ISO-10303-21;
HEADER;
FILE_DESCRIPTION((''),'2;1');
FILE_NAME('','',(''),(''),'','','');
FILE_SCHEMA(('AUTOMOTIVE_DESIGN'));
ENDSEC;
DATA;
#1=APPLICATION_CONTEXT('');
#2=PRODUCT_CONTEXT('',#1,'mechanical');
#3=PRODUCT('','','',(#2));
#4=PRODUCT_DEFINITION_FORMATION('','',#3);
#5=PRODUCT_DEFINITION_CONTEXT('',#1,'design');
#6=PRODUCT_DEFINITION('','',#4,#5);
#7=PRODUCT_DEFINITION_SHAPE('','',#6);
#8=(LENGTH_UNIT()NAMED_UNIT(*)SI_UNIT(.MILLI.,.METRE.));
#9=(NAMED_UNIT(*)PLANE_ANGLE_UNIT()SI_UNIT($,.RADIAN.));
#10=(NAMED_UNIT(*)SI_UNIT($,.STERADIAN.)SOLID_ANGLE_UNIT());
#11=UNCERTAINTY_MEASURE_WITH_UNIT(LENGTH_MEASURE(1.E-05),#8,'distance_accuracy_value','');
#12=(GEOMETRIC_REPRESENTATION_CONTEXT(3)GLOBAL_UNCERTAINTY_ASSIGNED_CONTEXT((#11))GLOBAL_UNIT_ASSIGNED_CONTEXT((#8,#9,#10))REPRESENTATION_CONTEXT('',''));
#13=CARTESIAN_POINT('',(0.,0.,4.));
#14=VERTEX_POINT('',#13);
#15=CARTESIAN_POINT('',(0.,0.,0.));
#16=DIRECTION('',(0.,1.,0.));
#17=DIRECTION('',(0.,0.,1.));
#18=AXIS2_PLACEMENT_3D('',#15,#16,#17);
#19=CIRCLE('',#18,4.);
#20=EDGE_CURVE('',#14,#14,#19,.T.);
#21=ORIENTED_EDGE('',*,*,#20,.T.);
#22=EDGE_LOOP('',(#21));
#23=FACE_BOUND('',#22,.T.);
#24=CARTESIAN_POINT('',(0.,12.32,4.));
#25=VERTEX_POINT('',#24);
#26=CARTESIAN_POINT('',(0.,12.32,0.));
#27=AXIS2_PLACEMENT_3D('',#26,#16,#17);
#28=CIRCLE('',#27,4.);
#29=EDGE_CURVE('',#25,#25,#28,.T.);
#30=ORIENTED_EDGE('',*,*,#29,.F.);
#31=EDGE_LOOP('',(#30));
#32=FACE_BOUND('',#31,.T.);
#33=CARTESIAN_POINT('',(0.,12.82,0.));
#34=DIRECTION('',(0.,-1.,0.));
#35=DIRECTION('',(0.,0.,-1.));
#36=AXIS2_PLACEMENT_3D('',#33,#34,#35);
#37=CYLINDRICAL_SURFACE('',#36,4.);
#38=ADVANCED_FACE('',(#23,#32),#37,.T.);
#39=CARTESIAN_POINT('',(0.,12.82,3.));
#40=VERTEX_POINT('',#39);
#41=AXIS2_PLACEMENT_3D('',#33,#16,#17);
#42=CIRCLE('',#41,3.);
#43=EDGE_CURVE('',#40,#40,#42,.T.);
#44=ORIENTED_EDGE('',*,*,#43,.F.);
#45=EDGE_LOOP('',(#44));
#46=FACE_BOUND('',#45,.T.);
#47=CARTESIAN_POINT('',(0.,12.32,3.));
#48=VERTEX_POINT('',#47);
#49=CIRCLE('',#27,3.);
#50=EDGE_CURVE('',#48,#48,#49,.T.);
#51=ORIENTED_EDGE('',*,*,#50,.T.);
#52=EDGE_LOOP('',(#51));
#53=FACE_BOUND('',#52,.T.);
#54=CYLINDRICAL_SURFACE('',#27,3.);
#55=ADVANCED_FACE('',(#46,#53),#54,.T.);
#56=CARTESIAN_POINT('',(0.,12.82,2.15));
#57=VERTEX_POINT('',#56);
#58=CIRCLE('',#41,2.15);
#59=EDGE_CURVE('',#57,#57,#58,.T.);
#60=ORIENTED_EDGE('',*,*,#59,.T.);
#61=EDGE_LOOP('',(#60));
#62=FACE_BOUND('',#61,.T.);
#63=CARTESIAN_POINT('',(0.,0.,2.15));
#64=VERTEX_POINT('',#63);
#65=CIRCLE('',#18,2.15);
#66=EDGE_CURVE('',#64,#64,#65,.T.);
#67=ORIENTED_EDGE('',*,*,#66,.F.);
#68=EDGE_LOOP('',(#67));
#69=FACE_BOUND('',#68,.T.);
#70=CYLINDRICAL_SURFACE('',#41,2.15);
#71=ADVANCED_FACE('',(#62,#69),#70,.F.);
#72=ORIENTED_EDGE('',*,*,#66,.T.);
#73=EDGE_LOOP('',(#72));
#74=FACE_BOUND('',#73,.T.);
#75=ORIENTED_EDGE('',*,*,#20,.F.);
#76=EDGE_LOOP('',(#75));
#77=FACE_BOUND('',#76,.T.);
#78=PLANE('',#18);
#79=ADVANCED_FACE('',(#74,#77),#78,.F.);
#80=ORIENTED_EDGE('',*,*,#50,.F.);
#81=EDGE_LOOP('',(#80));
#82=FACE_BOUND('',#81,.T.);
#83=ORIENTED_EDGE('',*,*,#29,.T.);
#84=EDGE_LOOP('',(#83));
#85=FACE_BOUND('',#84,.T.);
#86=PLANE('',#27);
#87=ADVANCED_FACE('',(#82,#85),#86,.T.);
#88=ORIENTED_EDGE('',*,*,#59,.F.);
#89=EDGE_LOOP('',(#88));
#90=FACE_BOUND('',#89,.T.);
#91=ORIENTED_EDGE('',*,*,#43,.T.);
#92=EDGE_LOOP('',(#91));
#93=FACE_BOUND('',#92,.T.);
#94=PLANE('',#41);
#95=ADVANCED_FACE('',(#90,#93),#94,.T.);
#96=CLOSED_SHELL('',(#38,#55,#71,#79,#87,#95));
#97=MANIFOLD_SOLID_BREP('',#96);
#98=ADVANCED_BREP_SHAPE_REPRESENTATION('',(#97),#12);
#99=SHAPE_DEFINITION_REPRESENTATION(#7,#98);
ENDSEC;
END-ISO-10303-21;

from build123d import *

# Parameters (mm, degrees)
SKETCH1_R            = 4
BOSS_EXTRUDE1_DEPTH  = 12.82
SKETCH2_OUTSIDE_W    = 13.42
SKETCH2_OUTSIDE_H    = 13.42
SKETCH2_OUTSIDE_R    = 3
CUT_EXTRUDE1_DEPTH   = 0.5
M4_CLEARANCE_HOLE1_D = 4.3


with BuildPart() as part:
    # Sketch1 → Boss-Extrude1 (new body)
    with BuildSketch(Plane(origin=(0, 0, 0), x_dir=(1, 0, 0), z_dir=(0, 1, 0))):
        Circle(SKETCH1_R)
    extrude(amount=BOSS_EXTRUDE1_DEPTH)

    # Sketch2 outside → Cut-Extrude1 (cut)
    with BuildSketch(Plane(origin=(0, 12.82, 0), x_dir=(1, 0, 0), z_dir=(0, 1, 0))):
        Rectangle(SKETCH2_OUTSIDE_W, SKETCH2_OUTSIDE_H)
        Circle(SKETCH2_OUTSIDE_R, mode=Mode.SUBTRACT)
    extrude(amount=-CUT_EXTRUDE1_DEPTH, mode=Mode.SUBTRACT)

    # M4 Clearance Hole1 (through all)
    with Locations(Plane(origin=(0, 12.82, 0), x_dir=(1, 0, 0), z_dir=(0, 1, 0))):
        with Locations((0, 0)):
            Hole(M4_CLEARANCE_HOLE1_D / 2)


solid = part.part
